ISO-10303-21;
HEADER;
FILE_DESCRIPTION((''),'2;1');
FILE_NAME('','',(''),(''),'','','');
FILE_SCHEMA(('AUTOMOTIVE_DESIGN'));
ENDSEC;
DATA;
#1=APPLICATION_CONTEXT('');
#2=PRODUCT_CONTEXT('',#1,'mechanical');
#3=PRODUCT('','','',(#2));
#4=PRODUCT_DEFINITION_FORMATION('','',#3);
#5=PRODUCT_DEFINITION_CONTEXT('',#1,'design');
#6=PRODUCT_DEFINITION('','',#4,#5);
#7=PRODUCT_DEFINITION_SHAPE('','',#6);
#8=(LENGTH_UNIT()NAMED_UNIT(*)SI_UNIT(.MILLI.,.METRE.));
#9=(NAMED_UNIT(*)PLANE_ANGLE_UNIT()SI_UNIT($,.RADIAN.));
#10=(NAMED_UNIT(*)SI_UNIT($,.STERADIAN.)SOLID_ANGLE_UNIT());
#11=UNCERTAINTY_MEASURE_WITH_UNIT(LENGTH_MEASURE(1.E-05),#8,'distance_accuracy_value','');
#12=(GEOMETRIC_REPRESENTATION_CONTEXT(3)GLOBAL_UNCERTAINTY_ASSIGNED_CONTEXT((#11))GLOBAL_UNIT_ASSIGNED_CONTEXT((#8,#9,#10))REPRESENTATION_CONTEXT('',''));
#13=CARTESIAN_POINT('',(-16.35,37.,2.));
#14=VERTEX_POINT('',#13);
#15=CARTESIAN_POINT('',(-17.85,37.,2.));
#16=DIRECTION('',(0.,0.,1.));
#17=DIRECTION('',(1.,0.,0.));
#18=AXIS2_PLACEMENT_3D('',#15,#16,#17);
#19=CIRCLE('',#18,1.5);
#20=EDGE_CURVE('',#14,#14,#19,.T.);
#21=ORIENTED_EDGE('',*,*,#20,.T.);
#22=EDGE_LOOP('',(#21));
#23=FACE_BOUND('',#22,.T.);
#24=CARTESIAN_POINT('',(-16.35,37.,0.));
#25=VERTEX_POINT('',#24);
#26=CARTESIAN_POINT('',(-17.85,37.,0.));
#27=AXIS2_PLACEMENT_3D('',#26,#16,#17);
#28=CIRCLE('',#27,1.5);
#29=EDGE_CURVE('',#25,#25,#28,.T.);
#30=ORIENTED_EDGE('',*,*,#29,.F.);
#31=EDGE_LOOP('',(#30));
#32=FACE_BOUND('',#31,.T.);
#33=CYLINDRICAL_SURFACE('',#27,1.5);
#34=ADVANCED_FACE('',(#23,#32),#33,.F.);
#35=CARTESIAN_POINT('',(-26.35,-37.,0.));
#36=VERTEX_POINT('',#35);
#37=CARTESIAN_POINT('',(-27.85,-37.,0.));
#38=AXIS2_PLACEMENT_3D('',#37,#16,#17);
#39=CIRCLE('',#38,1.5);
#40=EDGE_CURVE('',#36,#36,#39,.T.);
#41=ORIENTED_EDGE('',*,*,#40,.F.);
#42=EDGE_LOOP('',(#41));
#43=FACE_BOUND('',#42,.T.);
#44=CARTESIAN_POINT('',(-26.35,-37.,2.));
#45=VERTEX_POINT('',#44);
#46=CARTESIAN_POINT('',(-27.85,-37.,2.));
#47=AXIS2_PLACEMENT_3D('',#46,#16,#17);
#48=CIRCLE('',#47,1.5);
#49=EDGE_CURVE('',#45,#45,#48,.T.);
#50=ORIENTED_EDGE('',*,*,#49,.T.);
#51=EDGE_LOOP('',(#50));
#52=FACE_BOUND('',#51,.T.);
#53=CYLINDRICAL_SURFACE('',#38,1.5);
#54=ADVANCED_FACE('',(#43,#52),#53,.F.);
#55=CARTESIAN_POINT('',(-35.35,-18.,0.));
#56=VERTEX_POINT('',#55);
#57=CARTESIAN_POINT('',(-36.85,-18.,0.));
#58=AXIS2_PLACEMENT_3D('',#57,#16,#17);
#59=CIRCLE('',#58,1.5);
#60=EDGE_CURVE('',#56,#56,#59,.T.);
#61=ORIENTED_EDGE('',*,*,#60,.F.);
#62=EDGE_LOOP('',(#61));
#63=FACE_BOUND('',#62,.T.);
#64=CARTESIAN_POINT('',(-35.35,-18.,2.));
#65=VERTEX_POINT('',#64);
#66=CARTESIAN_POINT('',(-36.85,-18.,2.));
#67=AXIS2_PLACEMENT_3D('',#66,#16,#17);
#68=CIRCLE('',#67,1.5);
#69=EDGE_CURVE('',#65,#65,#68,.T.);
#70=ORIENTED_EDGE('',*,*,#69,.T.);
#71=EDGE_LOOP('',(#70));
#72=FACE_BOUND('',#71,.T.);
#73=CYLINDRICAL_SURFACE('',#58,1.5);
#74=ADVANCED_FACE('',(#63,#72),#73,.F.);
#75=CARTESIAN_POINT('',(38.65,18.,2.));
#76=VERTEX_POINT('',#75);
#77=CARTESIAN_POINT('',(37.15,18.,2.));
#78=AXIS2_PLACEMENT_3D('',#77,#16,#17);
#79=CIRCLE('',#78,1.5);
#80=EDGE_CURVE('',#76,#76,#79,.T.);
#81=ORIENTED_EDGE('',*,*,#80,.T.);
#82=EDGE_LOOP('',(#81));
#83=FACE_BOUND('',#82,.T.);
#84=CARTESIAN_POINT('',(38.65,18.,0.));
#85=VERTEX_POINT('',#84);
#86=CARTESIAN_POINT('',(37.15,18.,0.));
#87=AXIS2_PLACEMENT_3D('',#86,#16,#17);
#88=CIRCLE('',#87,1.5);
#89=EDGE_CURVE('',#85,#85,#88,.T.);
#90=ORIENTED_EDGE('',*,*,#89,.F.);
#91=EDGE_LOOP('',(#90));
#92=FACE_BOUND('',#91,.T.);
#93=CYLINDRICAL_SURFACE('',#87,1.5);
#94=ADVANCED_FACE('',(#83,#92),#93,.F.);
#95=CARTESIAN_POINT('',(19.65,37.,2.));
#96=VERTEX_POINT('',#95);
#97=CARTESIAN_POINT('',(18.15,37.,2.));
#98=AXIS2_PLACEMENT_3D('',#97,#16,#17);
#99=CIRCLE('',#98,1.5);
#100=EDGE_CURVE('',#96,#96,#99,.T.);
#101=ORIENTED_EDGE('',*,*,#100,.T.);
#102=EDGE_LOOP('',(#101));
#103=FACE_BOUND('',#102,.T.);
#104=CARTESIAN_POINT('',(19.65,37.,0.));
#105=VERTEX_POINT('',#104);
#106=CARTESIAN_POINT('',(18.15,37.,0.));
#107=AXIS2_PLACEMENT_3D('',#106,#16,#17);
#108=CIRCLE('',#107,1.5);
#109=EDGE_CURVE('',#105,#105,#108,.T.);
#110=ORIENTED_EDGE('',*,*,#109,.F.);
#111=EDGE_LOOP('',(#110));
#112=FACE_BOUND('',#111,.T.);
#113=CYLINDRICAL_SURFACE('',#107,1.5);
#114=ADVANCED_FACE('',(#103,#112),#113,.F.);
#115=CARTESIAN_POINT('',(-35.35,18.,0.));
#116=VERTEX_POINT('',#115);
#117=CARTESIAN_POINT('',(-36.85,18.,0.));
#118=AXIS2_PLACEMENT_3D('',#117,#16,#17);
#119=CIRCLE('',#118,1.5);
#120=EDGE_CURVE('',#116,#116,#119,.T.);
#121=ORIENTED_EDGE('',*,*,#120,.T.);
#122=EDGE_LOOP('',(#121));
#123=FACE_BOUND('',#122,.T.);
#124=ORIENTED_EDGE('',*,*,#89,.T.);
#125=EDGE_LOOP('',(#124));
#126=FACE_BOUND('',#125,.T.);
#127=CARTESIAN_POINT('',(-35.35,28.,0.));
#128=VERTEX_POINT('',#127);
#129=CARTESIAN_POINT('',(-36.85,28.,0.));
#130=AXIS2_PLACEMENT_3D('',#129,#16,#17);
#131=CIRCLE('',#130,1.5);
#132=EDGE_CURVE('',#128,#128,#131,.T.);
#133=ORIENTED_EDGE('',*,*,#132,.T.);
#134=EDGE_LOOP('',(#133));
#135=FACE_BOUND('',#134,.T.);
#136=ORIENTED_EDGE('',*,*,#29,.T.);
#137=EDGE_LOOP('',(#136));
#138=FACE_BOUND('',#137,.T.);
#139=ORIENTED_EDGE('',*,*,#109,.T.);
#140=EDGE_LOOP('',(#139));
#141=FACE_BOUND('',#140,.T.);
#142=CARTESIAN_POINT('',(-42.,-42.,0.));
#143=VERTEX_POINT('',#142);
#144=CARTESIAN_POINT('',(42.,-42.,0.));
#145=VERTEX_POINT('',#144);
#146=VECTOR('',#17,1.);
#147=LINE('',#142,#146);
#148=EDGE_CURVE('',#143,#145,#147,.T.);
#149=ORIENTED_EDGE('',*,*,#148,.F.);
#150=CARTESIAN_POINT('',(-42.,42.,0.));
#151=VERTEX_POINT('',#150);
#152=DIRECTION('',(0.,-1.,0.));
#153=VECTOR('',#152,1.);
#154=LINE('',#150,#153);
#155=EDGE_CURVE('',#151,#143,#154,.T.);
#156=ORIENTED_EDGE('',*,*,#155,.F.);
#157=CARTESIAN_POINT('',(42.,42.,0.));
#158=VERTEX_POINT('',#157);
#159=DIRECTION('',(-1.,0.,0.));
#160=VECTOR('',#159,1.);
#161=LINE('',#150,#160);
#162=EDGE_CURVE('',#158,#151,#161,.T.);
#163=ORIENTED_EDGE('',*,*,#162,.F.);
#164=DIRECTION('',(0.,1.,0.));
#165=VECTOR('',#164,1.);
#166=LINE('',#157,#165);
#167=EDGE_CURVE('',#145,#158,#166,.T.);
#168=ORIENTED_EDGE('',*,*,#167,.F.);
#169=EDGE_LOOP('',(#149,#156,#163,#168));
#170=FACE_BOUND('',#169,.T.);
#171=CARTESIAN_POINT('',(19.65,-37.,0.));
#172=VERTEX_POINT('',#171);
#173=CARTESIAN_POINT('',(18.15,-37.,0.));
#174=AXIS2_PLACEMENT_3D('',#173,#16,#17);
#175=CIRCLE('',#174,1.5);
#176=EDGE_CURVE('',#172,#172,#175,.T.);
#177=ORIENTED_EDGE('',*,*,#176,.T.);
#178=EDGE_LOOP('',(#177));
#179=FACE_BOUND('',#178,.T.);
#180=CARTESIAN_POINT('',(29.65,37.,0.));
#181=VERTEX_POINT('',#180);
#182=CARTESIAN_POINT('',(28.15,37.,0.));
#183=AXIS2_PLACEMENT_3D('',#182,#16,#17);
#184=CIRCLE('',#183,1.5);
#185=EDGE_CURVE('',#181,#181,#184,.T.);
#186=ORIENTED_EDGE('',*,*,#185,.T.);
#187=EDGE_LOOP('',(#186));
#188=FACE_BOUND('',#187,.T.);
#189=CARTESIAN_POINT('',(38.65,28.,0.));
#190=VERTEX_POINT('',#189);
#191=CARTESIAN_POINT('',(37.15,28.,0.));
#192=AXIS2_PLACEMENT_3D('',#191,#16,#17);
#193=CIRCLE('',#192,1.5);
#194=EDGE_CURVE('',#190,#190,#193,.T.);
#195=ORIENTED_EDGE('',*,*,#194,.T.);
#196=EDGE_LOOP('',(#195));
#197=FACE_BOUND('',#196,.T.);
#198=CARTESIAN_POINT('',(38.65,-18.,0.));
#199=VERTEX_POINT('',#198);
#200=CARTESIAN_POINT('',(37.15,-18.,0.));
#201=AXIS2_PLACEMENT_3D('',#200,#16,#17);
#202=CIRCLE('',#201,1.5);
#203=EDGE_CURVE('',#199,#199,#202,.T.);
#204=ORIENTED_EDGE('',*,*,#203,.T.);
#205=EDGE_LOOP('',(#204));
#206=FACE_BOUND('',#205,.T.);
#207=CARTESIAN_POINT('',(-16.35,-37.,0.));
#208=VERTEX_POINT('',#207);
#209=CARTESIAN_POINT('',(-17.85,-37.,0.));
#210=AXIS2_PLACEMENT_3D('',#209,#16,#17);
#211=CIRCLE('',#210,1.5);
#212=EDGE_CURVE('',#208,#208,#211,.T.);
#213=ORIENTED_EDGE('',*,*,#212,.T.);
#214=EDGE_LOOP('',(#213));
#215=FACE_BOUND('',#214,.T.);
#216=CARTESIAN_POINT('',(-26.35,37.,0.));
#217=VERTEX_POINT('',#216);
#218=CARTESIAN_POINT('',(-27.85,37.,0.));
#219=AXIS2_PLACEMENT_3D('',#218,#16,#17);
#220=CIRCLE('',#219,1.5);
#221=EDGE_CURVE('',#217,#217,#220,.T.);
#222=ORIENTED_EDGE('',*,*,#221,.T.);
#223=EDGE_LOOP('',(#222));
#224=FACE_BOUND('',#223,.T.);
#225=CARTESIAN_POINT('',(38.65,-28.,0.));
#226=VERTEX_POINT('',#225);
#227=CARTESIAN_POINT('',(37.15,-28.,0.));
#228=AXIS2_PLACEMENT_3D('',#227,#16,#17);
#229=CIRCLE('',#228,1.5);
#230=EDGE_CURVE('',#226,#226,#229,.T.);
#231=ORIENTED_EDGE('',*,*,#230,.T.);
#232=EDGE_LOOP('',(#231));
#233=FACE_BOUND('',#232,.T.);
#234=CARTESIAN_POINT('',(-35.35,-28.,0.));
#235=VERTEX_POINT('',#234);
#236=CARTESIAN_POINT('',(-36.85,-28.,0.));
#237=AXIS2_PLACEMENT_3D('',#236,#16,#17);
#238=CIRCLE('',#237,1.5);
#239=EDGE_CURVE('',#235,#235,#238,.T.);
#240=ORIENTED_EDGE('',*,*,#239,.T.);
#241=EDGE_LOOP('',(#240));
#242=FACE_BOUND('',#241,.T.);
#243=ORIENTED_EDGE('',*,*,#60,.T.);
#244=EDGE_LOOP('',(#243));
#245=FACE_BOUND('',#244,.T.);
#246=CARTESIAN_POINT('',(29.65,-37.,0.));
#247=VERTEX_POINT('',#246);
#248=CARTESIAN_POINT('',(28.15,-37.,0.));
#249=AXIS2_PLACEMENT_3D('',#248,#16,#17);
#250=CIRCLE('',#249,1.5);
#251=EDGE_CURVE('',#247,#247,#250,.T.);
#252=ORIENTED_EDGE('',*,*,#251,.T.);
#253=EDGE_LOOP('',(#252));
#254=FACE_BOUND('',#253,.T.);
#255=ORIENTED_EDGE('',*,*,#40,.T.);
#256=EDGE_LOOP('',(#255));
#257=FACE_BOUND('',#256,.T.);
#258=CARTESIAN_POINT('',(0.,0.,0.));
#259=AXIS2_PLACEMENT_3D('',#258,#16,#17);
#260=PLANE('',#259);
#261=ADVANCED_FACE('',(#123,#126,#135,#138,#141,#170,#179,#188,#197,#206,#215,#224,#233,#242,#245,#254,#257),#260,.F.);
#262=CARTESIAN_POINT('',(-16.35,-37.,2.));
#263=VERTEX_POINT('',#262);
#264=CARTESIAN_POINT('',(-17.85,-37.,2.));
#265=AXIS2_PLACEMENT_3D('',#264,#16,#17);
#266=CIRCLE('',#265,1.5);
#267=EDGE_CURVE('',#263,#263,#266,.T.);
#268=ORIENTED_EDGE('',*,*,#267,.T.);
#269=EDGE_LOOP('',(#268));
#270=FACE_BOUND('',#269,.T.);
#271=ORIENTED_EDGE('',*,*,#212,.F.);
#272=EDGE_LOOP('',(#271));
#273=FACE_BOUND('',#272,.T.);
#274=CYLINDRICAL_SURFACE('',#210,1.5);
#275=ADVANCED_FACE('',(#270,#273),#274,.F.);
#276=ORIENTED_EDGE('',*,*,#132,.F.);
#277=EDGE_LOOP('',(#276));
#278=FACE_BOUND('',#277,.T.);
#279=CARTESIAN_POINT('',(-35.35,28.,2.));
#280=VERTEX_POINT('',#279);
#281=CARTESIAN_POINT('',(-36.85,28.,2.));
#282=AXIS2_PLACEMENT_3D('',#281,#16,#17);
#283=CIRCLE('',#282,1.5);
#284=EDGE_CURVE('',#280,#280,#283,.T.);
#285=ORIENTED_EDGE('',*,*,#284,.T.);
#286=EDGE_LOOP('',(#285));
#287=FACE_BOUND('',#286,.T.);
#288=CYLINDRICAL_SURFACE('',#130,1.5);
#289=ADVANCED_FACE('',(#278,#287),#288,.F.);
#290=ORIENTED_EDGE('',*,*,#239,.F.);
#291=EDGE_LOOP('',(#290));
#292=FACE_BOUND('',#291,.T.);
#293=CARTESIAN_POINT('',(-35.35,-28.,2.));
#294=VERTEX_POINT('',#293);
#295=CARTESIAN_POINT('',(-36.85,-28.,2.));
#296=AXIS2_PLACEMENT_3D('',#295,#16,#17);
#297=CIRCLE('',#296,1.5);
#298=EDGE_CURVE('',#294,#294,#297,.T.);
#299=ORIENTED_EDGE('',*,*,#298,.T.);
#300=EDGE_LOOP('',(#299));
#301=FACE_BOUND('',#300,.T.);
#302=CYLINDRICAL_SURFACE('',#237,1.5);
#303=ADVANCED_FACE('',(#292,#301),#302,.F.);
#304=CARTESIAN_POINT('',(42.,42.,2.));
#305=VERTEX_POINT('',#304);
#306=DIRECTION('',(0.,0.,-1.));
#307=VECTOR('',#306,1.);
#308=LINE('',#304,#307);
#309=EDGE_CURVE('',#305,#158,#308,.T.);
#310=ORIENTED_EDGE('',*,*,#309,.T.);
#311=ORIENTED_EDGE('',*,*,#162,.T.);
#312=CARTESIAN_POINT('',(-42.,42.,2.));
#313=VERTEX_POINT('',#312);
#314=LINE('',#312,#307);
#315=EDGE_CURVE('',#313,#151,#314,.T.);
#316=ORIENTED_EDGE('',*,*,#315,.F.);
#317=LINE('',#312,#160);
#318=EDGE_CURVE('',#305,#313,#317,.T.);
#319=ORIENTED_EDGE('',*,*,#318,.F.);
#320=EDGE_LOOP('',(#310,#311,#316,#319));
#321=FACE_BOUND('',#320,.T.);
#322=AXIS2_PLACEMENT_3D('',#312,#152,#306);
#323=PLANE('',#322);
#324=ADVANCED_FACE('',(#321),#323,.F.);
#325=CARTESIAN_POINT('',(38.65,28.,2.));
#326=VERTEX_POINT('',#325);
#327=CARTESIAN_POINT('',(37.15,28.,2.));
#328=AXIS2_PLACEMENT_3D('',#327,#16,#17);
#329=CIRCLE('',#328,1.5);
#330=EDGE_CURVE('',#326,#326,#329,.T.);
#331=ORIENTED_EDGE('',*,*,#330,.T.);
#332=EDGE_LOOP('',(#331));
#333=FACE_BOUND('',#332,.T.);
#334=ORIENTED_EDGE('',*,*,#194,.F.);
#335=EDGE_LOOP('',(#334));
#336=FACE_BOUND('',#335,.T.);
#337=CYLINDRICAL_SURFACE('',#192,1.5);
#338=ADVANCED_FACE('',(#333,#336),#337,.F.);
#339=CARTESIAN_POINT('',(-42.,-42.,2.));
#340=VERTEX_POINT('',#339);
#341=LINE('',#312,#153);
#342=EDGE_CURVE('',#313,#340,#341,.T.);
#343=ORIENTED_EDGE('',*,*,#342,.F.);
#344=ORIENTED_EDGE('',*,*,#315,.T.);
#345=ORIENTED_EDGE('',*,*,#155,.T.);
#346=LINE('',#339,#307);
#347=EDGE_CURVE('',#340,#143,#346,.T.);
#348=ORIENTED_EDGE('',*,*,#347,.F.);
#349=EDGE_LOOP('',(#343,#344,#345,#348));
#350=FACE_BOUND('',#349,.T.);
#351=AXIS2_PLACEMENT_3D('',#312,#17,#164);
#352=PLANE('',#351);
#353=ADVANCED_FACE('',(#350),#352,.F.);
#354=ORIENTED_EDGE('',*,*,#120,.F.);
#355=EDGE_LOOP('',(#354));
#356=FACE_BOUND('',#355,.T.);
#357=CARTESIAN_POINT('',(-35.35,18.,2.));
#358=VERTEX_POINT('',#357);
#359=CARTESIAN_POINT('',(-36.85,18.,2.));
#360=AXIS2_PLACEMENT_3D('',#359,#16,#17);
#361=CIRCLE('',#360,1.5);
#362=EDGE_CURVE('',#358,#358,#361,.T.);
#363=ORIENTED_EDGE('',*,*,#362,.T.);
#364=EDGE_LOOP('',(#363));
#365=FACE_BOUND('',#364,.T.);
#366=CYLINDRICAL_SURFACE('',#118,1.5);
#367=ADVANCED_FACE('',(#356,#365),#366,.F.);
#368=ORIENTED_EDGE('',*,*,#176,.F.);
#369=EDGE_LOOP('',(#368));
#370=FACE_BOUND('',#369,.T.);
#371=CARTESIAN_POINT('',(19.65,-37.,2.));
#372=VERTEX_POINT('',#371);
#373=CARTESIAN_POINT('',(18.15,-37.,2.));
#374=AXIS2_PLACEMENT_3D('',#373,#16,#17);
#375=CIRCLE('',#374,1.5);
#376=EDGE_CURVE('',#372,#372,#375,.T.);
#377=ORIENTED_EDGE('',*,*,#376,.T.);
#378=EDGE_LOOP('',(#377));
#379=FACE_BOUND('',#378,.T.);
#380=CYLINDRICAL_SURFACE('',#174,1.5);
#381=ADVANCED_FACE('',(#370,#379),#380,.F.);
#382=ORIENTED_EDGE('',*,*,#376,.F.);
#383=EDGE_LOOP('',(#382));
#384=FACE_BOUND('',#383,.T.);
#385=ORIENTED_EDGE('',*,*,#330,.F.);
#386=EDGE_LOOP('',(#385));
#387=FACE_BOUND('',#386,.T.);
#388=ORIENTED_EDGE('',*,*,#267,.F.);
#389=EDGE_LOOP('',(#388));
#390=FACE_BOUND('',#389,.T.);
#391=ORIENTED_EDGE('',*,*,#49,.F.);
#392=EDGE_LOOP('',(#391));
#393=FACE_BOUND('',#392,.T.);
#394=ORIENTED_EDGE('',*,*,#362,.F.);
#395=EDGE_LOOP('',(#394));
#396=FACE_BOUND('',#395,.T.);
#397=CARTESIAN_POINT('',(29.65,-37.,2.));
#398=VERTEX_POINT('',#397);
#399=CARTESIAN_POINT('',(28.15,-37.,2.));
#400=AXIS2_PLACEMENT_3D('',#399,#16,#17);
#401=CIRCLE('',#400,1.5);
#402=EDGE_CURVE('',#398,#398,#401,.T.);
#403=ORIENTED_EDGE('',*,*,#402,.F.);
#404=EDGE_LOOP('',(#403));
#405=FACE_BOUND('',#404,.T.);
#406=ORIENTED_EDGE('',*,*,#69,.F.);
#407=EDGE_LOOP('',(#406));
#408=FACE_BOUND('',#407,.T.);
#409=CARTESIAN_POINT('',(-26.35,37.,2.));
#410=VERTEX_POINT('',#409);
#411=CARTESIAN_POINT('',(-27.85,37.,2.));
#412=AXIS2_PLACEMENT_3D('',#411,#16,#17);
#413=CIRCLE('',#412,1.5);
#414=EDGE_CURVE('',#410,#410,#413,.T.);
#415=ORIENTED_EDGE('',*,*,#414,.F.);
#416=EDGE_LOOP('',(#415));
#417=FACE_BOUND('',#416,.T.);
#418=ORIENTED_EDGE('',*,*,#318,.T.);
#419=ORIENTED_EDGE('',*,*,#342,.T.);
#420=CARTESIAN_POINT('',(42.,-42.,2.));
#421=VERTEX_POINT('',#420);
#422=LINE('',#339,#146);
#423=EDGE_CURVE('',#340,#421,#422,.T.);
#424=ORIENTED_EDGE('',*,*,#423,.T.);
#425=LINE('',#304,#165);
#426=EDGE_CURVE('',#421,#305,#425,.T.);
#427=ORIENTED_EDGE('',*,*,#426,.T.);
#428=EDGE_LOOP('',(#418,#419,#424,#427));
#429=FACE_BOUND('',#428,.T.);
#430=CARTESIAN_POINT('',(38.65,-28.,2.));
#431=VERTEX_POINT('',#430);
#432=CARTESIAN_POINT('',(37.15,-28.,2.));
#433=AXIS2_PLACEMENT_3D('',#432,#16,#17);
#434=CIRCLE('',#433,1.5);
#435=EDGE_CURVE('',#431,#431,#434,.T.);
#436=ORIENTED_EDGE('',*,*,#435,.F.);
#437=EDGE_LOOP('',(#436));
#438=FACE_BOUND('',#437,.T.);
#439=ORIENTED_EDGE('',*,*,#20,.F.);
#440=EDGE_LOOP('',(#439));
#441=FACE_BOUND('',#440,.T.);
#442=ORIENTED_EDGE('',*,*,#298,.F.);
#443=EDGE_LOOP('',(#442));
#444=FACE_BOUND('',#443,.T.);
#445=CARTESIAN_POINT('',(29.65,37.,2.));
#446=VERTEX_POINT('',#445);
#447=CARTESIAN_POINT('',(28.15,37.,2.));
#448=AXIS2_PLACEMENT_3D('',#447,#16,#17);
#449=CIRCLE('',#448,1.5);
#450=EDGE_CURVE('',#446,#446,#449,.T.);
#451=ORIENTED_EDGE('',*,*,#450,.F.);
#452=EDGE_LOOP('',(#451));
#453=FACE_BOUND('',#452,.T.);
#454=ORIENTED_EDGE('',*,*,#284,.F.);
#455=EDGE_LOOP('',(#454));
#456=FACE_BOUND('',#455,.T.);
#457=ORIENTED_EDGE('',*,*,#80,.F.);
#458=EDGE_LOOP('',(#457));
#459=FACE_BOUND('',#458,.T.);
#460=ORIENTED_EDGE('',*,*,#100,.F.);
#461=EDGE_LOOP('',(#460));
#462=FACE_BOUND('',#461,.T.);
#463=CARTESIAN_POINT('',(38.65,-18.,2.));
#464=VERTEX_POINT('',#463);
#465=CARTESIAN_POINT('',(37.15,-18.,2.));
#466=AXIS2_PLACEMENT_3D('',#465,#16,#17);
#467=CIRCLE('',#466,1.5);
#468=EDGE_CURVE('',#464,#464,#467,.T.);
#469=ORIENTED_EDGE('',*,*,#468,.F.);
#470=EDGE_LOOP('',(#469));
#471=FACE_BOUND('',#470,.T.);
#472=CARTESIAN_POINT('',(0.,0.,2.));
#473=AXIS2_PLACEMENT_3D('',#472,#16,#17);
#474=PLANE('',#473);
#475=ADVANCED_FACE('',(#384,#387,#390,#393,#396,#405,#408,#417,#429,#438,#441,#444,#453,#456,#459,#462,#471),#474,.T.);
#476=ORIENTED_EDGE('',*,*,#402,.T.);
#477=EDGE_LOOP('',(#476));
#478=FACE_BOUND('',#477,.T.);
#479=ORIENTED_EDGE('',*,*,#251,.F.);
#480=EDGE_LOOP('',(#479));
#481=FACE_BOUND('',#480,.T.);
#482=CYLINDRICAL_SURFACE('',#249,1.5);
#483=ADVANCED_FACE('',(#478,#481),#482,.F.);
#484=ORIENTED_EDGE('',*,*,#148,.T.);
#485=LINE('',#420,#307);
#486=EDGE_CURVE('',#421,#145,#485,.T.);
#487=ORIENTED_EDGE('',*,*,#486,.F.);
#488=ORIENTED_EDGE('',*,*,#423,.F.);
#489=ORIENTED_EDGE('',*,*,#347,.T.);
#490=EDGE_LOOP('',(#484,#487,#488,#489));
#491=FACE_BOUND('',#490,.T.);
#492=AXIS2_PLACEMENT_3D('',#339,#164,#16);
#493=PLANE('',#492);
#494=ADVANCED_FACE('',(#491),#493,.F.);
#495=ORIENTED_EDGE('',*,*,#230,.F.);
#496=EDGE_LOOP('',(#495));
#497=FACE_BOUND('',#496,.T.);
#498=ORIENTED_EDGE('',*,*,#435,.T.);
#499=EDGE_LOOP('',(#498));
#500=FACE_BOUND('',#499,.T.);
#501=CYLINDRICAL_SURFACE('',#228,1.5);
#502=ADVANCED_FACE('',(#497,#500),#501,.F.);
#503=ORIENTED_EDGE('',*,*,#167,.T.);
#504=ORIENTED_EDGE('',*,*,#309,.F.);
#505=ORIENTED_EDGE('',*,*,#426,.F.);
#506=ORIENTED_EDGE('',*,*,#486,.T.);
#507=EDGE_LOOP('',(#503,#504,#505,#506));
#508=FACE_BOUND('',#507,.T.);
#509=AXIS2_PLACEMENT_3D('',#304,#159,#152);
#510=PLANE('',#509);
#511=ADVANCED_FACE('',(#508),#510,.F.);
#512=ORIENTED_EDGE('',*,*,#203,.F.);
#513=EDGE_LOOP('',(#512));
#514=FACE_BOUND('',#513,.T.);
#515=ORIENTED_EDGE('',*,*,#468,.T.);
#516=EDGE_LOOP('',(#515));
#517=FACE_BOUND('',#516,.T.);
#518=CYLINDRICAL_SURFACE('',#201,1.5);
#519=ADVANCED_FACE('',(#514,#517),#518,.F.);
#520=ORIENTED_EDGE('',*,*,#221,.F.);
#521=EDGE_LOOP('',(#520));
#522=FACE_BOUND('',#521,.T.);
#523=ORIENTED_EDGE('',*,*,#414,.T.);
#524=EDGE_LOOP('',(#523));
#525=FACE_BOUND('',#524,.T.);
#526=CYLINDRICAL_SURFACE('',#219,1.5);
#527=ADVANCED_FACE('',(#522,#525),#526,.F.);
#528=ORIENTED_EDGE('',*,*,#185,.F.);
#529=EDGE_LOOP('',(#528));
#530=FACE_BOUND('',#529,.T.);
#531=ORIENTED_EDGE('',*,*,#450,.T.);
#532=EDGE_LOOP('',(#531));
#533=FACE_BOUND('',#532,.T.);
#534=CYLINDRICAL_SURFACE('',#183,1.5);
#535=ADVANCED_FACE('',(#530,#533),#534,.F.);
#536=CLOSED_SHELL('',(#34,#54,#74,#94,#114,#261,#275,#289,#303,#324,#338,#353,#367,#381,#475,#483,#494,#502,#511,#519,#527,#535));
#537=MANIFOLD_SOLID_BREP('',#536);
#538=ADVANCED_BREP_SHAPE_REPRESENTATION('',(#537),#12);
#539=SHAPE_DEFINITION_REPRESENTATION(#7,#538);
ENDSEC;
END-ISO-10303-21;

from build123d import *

# Parameters (mm, degrees)
SKETCH_1_W          = 84
SKETCH_1_H          = 84
EXTRUDE_1_DEPTH     = 2
SKETCH_2_R          = 1.5
CUT_EXTRUDE_1_DEPTH = 60.430631832


with BuildPart() as part:
    # 草图1 → 凸台-拉伸1 (new body)
    with BuildSketch(Plane.XY):
        Rectangle(SKETCH_1_W, SKETCH_1_H)
    extrude(amount=EXTRUDE_1_DEPTH)

    # 草图2 → 切除-拉伸1 (cut, through all)
    with BuildSketch(Plane.XY.offset(2)):
        with Locations((18.15, -37)):
            Circle(SKETCH_2_R)
        with Locations((28.15, -37)):
            Circle(SKETCH_2_R)
        with Locations((37.15, -28)):
            Circle(SKETCH_2_R)
        with Locations((37.15, -18)):
            Circle(SKETCH_2_R)
        with Locations((37.15, 18)):
            Circle(SKETCH_2_R)
        with Locations((37.15, 28)):
            Circle(SKETCH_2_R)
        with Locations((-17.85, -37)):
            Circle(SKETCH_2_R)
        with Locations((-27.85, -37)):
            Circle(SKETCH_2_R)
        with Locations((-36.85, -28)):
            Circle(SKETCH_2_R)
        with Locations((-36.85, -18)):
            Circle(SKETCH_2_R)
        with Locations((-36.85, 18)):
            Circle(SKETCH_2_R)
        with Locations((-36.85, 28)):
            Circle(SKETCH_2_R)
        with Locations((28.15, 37)):
            Circle(SKETCH_2_R)
        with Locations((18.15, 37)):
            Circle(SKETCH_2_R)
        with Locations((-17.85, 37)):
            Circle(SKETCH_2_R)
        with Locations((-27.85, 37)):
            Circle(SKETCH_2_R)
    extrude(amount=-CUT_EXTRUDE_1_DEPTH, mode=Mode.SUBTRACT)


solid = part.part
